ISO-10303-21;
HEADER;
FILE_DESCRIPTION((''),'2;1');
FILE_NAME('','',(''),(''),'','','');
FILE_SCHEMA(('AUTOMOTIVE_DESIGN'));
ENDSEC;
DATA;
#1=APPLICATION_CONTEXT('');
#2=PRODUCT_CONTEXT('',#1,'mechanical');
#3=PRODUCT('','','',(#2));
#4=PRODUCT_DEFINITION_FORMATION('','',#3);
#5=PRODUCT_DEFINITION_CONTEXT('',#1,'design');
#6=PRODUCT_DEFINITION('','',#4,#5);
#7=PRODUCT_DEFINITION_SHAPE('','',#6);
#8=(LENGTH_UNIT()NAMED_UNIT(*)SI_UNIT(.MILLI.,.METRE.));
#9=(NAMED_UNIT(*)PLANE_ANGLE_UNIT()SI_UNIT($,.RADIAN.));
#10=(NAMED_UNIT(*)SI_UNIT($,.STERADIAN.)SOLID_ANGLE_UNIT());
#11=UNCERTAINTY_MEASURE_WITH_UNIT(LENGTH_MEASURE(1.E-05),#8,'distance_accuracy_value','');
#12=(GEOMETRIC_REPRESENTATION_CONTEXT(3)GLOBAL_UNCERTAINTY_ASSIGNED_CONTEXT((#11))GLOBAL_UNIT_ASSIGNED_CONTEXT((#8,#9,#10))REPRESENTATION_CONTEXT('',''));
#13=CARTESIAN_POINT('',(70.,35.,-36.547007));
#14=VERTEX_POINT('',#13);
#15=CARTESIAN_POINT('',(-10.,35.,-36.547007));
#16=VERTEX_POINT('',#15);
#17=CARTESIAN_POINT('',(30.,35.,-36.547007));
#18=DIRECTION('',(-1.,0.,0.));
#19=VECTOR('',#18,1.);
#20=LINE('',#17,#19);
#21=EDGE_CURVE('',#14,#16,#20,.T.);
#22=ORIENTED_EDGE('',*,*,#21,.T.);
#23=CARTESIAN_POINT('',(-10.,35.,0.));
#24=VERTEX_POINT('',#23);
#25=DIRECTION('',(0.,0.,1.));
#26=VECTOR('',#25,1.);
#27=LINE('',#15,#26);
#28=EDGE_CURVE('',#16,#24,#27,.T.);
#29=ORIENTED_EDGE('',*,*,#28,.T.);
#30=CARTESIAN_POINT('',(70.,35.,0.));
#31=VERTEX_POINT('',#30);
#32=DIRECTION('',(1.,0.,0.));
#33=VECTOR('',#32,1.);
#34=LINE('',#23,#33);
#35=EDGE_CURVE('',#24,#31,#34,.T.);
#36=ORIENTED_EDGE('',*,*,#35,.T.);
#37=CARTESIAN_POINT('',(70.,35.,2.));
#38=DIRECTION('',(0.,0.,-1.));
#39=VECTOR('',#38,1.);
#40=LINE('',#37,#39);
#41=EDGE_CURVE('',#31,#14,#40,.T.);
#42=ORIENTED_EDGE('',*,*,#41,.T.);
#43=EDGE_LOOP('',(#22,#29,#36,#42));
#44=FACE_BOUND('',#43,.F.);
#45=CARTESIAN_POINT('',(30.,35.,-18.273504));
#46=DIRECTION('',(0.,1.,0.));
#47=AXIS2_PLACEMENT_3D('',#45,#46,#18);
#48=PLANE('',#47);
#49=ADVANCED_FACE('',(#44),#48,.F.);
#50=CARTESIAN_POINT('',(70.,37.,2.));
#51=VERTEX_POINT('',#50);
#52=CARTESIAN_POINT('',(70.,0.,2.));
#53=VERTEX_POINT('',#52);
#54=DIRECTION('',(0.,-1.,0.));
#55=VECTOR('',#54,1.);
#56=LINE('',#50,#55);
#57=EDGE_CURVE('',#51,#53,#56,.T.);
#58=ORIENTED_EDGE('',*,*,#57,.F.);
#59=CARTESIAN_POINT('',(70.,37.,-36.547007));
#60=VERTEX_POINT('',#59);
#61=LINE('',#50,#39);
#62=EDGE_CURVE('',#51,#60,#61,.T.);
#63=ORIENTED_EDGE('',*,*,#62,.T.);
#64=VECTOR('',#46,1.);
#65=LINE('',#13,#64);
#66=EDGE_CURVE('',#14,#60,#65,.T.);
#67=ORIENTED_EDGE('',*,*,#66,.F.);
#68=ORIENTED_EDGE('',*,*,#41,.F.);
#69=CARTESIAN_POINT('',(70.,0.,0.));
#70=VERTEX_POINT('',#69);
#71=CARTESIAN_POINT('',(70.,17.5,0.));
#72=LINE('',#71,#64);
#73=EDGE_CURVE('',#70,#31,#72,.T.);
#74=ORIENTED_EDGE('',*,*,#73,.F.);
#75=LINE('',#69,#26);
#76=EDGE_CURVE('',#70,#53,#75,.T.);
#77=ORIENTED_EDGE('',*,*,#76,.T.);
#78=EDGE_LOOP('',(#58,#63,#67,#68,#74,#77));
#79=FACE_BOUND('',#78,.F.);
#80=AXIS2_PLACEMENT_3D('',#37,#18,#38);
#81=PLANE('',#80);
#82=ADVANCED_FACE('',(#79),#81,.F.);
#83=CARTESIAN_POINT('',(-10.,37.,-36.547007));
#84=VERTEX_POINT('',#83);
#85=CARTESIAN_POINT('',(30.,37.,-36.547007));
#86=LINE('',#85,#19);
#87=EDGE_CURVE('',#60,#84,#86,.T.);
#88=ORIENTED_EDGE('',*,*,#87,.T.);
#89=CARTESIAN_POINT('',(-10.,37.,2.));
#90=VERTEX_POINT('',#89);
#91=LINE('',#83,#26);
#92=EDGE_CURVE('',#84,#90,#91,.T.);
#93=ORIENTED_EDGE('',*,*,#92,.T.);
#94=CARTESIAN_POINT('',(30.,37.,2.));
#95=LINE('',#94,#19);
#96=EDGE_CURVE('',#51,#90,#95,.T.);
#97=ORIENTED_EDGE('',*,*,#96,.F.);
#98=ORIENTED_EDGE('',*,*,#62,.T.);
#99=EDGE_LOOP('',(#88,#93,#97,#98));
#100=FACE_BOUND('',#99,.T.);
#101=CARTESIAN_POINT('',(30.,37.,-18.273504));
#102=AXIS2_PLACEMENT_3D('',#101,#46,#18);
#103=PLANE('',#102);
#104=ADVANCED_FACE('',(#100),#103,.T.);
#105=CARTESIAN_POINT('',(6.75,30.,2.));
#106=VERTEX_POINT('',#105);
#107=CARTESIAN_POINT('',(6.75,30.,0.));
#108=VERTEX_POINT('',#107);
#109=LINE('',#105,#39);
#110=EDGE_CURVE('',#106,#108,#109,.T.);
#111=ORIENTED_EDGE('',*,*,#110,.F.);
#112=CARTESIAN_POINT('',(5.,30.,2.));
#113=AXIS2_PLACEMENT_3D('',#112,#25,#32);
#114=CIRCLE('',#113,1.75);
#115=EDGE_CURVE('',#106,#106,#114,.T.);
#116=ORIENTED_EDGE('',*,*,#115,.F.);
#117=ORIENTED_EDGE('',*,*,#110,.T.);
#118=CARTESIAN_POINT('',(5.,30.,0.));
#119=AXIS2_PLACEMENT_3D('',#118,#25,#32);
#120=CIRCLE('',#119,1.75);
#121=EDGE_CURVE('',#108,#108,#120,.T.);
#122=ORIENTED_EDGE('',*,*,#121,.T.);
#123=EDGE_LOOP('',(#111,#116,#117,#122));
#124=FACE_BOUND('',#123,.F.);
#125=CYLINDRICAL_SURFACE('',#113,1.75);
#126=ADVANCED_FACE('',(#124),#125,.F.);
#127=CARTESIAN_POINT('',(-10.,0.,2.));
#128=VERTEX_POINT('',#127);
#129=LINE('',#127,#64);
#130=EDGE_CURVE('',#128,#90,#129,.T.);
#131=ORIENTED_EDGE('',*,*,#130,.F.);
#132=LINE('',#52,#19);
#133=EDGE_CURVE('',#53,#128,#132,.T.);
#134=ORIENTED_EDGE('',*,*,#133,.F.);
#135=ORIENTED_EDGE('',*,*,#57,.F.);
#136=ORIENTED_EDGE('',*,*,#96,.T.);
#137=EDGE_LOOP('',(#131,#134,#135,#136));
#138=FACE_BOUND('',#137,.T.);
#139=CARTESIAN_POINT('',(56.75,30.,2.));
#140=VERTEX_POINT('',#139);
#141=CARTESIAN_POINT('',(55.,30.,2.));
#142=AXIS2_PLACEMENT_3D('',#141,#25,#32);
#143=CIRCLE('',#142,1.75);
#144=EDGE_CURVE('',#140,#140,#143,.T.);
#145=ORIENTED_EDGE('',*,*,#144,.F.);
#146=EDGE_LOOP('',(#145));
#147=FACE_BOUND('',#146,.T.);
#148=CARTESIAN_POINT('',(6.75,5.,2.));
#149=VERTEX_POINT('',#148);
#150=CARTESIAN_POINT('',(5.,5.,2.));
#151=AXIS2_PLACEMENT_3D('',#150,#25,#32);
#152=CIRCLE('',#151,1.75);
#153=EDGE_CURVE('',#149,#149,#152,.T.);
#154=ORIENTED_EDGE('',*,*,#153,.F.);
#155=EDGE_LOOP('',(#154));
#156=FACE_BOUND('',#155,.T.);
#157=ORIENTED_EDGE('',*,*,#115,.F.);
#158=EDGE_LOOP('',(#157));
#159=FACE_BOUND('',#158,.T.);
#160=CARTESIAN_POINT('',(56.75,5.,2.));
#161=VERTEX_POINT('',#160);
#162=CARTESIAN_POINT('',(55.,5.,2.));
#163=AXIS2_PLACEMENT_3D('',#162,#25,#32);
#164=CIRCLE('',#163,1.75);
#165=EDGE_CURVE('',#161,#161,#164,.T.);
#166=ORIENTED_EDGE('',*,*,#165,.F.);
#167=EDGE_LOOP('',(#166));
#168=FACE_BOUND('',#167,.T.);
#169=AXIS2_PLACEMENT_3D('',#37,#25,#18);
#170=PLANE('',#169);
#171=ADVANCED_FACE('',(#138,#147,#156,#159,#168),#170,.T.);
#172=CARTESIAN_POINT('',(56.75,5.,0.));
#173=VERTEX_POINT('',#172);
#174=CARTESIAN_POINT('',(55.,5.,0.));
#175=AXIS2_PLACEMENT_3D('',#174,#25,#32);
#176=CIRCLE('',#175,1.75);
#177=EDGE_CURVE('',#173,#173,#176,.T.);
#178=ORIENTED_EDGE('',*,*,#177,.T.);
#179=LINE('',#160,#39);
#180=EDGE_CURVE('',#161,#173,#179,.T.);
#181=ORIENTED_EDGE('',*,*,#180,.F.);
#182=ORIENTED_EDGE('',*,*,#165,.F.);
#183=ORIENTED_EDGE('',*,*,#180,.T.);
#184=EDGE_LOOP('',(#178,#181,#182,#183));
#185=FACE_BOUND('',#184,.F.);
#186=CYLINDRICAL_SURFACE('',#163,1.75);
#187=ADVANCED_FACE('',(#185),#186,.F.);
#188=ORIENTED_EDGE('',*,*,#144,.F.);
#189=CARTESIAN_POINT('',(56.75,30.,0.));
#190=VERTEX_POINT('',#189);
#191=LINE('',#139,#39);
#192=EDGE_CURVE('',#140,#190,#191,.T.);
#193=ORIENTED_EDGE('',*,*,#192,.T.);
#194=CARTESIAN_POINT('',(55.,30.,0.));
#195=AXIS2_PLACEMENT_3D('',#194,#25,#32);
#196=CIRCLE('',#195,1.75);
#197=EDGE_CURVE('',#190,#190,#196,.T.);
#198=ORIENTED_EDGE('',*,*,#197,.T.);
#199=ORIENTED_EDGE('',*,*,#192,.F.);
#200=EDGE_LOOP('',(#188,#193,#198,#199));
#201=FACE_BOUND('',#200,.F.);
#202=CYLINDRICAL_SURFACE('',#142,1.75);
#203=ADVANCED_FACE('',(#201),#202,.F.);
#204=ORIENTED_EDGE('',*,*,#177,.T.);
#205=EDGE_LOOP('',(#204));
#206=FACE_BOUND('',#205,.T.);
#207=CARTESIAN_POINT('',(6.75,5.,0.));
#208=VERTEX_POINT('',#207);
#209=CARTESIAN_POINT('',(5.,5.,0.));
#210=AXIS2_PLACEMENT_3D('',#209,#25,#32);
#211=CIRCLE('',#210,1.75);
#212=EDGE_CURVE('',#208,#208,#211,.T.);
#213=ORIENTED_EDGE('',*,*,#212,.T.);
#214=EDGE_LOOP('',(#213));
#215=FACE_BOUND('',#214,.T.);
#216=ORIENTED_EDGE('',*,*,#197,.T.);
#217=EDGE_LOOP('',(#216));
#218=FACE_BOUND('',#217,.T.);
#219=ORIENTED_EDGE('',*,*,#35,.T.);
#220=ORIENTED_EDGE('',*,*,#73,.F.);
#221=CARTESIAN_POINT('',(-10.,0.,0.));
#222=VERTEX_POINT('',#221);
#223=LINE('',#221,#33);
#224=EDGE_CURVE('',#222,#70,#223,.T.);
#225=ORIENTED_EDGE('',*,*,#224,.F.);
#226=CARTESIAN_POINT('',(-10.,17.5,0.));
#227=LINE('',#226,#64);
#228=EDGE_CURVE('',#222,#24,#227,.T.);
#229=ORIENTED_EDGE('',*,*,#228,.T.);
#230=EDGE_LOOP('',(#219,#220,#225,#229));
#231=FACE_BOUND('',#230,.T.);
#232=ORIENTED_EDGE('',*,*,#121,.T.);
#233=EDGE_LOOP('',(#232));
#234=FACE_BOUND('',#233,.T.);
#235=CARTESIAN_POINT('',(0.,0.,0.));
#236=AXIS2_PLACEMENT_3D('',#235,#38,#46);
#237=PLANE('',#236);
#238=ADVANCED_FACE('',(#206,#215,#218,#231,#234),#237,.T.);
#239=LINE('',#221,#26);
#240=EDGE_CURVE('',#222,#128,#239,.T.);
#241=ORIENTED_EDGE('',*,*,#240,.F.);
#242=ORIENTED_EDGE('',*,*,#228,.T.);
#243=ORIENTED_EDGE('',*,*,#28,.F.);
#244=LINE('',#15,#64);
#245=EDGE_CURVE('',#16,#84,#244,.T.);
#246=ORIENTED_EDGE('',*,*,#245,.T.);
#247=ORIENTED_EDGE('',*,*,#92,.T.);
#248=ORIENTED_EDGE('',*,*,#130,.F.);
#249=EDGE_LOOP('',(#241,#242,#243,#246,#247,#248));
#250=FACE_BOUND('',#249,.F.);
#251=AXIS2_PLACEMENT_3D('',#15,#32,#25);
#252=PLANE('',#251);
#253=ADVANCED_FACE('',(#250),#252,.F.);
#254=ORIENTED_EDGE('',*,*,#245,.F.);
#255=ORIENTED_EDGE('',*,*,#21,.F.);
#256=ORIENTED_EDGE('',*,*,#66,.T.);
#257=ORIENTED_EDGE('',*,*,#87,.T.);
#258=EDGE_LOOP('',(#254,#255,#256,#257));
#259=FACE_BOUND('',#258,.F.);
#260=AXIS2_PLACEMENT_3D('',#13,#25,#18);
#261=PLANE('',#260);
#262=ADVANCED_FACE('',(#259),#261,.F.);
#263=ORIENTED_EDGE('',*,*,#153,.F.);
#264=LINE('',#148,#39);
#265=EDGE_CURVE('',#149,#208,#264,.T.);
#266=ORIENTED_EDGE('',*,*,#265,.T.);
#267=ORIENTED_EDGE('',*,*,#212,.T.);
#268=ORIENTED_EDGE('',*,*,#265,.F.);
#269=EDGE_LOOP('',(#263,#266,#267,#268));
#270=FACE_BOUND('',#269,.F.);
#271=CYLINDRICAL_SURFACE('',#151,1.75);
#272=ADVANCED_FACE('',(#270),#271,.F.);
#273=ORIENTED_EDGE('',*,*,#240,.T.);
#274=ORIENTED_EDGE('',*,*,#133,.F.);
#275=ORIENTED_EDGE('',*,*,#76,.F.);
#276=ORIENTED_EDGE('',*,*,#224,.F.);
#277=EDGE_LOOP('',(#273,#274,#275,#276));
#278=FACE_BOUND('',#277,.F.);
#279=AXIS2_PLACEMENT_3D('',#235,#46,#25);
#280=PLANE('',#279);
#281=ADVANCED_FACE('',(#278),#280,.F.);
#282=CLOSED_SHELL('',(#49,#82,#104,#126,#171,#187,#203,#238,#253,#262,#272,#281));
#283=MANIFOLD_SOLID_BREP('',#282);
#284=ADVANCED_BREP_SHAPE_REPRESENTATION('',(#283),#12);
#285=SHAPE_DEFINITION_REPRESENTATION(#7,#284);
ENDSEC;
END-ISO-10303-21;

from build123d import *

# Parameters (mm, degrees)
F0_W     = 60
F0_H     = 35
F1_DEPTH = 2
F2_R     = 1.75
F3_DEPTH = 2.001
F4_DEPTH = 10
F5_DEPTH = 10
F6_W     = 80
F6_H     = 36.5470070392
F6_H_2   = 2
F7_DEPTH = 2


with BuildPart() as f1:
    # F0 (on Top) → F1 (new body)
    with BuildSketch(Plane.XY):
        with Locations((30, 17.5)):
            Rectangle(F0_W, F0_H)
    extrude(amount=F1_DEPTH)

    # F2 (on face) → F3 (cut, through all)
    with BuildSketch(Plane.XY.offset(2)):
        with Locations((5, 5)):
            Circle(F2_R)
        with Locations((5, 30)):
            Circle(F2_R)
        with Locations((55, 30)):
            Circle(F2_R)
        with Locations((55, 5)):
            Circle(F2_R)
    extrude(amount=-F3_DEPTH, mode=Mode.SUBTRACT)

    # F4 (add): a face of the model
    f4_faces = [f1.faces().sort_by_distance(p)[0] for p in [
        (60, 17.5, 1),
    ]]
    extrude(f4_faces, amount=F4_DEPTH)

    # F5 (add): a face of the model
    f5_faces = [f1.faces().sort_by_distance(p)[0] for p in [
        (0, 17.5, 1),
    ]]
    extrude(f5_faces, amount=F5_DEPTH)

    # F6 (on face) → F7 (join)
    with BuildSketch(Plane(origin=(0, 35, 0), x_dir=(-1, 0, 0), z_dir=(0, 1, 0))):
        with Locations((-30, -18.2735035196)):
            Rectangle(F6_W, F6_H)
        with Locations((-30, 1)):
            Rectangle(F6_W, F6_H_2)
    extrude(amount=F7_DEPTH)


solid = f1.part
